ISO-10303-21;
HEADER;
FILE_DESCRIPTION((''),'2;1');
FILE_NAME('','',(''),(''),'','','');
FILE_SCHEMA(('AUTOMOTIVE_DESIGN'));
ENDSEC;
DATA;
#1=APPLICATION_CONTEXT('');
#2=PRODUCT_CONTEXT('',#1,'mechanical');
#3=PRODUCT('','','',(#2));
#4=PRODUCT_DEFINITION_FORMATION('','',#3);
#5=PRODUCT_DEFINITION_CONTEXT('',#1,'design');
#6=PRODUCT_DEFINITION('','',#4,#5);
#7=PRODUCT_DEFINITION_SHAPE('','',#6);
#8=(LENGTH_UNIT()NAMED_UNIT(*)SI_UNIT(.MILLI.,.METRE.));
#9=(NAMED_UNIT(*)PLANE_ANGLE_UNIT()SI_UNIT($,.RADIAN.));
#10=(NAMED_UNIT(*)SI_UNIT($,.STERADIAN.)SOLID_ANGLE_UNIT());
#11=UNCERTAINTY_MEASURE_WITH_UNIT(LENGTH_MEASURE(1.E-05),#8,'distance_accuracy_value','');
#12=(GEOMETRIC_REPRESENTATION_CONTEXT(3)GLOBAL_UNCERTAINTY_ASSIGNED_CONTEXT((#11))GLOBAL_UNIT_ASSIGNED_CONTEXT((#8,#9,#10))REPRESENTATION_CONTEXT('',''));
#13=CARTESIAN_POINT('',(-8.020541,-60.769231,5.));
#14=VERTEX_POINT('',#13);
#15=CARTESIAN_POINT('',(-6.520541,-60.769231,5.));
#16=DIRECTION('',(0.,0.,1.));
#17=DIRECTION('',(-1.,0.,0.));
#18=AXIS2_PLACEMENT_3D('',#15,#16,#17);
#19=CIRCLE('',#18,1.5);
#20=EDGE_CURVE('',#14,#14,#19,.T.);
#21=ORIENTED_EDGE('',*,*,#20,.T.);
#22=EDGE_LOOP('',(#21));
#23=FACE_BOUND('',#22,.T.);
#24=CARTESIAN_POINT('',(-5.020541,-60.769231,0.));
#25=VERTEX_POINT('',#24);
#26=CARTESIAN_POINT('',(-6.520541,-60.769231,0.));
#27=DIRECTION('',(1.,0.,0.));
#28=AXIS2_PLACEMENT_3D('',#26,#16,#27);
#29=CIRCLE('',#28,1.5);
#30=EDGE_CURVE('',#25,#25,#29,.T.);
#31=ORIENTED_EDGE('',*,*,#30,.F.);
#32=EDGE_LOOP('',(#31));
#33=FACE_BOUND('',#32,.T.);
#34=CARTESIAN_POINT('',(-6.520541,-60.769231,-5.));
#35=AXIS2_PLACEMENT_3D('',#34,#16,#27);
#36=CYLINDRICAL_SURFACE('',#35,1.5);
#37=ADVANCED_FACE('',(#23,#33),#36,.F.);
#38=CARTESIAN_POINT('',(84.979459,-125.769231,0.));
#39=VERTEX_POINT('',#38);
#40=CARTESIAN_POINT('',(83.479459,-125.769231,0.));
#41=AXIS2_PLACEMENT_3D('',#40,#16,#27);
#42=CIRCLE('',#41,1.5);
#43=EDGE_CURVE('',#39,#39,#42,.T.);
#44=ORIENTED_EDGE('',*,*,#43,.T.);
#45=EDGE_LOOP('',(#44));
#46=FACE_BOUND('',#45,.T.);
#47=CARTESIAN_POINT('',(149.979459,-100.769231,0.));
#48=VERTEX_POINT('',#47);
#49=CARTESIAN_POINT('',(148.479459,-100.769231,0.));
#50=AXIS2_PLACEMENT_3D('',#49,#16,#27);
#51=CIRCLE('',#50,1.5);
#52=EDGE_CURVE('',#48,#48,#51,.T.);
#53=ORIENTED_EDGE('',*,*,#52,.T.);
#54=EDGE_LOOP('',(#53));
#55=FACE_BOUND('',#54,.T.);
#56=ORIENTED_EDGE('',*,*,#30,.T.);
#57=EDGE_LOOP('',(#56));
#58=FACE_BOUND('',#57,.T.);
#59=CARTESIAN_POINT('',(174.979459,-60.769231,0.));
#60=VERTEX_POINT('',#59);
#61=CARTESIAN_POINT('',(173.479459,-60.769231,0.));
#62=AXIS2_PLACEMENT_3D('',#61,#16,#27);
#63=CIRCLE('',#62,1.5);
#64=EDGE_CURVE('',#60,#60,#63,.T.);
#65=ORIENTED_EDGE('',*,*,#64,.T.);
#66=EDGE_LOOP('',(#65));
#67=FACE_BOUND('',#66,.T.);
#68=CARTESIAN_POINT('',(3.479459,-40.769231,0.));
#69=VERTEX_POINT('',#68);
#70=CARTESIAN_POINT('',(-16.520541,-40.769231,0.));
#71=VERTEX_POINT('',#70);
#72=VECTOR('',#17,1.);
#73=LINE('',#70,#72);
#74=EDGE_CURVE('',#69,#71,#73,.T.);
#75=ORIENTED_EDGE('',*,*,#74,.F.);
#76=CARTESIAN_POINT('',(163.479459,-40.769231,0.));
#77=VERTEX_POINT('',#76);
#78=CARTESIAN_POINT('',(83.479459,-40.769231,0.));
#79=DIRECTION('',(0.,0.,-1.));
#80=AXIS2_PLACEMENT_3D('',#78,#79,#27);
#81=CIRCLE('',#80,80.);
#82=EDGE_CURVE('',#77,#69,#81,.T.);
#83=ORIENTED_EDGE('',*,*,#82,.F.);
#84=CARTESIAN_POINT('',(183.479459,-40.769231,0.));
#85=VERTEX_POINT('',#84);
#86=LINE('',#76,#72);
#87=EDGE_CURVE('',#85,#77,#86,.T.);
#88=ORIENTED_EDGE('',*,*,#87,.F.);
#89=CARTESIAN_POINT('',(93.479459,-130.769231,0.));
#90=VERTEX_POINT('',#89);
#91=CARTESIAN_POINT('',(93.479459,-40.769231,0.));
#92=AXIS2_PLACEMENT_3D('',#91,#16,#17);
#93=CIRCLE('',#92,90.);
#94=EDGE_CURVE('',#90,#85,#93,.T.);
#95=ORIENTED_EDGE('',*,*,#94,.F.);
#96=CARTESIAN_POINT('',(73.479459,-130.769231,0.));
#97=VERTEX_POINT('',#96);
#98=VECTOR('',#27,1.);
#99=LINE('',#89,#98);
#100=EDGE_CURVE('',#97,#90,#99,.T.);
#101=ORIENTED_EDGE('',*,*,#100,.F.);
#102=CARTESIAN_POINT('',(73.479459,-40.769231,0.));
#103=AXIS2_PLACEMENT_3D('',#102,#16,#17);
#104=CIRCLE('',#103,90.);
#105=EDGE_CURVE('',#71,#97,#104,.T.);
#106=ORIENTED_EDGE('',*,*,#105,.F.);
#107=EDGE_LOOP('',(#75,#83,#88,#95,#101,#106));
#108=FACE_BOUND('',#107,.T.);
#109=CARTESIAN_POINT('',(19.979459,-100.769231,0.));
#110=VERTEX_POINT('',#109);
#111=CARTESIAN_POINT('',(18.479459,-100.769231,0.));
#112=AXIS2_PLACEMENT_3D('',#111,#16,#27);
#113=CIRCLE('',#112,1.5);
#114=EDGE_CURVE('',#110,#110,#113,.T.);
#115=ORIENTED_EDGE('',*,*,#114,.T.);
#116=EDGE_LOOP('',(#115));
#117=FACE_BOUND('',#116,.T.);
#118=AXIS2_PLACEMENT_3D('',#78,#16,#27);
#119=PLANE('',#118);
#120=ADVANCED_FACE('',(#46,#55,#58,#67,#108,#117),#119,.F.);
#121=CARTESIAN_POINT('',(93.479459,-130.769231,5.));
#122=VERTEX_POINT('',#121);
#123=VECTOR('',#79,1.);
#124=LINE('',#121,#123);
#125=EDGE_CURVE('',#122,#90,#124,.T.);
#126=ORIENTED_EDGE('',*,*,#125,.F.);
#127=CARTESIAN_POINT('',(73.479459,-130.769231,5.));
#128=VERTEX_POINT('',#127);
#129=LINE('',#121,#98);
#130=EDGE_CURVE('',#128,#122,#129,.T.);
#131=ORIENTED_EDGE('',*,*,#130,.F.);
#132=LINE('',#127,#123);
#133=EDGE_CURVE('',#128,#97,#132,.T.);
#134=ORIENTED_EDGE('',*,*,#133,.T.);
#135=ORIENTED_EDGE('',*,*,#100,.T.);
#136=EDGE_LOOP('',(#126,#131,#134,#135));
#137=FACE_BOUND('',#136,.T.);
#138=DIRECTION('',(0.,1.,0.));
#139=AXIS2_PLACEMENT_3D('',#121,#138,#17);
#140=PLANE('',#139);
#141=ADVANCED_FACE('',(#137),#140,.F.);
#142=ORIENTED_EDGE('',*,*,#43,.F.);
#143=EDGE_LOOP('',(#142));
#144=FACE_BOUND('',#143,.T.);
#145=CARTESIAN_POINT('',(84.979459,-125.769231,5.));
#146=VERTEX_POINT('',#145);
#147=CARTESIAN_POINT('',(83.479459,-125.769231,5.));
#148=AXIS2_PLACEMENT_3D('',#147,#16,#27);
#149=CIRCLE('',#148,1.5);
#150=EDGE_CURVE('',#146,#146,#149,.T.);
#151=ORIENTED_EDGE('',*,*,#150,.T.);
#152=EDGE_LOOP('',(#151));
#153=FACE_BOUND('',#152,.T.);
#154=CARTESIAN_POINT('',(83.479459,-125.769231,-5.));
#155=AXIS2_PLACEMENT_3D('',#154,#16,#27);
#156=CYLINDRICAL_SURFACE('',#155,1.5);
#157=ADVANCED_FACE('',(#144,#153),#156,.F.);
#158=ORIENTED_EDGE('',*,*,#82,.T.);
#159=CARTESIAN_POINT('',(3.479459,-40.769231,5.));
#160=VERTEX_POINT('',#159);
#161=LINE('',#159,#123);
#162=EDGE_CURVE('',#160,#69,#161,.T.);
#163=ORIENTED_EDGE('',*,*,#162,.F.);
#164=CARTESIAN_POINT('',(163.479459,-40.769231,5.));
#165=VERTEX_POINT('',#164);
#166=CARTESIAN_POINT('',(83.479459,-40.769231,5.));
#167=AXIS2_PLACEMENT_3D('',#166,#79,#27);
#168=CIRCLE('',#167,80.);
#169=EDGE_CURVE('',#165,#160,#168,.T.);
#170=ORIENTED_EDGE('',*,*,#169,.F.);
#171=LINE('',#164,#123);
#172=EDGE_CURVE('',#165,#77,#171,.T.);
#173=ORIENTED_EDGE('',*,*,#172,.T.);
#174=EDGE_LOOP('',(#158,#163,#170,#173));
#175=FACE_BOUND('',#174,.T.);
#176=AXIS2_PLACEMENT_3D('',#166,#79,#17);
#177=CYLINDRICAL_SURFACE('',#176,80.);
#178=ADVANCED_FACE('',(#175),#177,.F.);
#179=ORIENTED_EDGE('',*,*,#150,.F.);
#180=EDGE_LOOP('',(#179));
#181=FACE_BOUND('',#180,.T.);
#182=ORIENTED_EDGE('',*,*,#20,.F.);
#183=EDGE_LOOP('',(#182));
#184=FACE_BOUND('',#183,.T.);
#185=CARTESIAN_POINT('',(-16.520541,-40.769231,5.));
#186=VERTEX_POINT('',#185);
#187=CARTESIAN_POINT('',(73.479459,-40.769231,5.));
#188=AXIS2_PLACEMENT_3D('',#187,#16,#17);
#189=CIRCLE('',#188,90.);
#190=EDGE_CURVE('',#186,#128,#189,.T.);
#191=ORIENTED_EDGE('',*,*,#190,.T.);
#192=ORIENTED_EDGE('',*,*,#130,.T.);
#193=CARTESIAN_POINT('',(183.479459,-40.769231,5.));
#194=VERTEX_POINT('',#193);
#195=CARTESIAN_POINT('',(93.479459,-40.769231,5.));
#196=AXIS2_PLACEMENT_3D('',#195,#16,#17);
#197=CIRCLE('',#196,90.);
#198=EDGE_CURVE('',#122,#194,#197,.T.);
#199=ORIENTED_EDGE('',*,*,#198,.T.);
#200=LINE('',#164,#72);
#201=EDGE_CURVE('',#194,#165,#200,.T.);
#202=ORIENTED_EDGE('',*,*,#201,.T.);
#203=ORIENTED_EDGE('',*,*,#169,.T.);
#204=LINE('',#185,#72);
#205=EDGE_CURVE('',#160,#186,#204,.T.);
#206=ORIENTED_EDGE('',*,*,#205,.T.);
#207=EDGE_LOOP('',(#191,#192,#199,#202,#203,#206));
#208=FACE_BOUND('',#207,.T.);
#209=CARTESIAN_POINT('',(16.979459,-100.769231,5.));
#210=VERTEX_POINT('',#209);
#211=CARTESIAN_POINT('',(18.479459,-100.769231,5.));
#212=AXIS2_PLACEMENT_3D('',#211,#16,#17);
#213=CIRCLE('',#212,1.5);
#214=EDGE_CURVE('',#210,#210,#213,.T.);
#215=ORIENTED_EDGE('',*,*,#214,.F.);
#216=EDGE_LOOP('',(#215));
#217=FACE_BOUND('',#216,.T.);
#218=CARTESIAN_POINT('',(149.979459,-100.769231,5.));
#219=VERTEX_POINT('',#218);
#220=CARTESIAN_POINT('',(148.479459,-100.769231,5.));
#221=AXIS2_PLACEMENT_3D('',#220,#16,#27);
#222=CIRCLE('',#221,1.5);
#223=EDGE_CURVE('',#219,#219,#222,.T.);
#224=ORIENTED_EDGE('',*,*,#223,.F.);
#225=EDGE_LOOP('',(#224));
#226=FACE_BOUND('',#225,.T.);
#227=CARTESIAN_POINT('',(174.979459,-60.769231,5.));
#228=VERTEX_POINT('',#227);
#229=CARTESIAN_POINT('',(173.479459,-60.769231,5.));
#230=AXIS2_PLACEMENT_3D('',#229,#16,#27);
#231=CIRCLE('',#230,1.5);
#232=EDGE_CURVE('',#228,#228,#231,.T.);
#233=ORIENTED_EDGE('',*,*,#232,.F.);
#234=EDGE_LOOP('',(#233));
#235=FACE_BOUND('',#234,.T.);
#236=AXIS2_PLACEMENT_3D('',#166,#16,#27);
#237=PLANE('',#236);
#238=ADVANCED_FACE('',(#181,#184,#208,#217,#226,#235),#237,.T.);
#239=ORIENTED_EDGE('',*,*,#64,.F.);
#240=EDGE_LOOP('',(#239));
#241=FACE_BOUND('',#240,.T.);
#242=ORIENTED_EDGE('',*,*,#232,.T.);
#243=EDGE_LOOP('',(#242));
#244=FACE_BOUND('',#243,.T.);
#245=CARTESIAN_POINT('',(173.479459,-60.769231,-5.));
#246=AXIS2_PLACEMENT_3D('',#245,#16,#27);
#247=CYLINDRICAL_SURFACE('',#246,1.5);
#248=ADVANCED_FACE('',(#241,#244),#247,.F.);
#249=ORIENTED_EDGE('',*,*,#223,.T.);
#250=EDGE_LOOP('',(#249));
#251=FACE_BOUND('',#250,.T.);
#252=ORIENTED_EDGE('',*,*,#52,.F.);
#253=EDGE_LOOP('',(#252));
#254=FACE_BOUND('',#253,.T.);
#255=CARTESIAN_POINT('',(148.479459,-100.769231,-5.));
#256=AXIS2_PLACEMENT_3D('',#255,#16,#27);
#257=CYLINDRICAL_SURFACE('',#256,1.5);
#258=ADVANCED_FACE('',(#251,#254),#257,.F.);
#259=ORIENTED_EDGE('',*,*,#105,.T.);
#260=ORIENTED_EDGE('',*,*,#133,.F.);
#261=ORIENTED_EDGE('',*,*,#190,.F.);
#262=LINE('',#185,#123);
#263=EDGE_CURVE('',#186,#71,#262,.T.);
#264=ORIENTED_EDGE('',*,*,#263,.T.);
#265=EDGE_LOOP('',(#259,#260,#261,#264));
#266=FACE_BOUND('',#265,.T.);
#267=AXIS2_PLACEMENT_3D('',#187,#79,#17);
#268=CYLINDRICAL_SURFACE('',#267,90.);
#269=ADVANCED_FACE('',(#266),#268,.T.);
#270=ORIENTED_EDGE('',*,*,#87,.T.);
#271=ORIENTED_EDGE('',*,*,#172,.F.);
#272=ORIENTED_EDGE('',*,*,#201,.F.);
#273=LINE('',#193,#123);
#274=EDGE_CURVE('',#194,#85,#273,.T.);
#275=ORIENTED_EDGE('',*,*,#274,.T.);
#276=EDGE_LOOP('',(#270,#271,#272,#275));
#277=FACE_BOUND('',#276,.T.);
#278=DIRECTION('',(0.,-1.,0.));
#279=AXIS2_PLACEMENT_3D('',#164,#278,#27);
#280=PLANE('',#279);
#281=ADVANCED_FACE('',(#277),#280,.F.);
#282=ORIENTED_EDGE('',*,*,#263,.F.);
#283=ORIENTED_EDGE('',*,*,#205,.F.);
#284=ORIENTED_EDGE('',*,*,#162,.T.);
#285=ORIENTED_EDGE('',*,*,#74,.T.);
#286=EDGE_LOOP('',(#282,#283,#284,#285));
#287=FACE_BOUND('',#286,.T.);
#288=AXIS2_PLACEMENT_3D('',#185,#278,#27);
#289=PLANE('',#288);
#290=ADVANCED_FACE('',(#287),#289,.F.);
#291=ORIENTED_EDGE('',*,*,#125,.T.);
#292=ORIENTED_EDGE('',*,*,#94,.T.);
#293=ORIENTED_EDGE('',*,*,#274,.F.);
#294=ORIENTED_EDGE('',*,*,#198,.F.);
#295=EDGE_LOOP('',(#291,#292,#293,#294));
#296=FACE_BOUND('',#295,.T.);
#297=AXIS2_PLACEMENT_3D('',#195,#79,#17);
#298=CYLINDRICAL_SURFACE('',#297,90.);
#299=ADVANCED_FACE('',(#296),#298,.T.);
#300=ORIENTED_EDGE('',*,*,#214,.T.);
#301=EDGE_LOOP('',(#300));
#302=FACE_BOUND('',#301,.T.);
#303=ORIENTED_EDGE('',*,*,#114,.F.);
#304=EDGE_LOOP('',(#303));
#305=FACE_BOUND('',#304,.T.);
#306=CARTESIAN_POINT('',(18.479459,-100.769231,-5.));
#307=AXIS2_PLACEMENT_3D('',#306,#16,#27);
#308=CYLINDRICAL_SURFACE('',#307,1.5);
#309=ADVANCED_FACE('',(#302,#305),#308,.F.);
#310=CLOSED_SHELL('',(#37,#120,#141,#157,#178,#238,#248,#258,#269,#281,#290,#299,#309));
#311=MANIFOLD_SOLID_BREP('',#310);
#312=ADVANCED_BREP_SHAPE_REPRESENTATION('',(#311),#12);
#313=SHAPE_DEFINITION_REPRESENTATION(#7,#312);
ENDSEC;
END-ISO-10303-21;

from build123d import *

# Parameters (mm, degrees)
RESSALTO_EXTRUS_O1_DEPTH = 5
ESBO_O2_R                = 1.5
CORTE_EXTRUS_O1_DEPTH    = 10


with BuildPart() as part:
    # Esboço1 → Ressalto-extrusão1 (new body)
    with BuildSketch(Plane.XY):
        with BuildLine():
            Line((-16.520541228, -40.769230769), (3.479458772, -40.769230769))
            ThreePointArc((3.479458772, -40.769230769), (83.479458772, -120.769230769), (163.479458772, -40.769230769))
            Line((163.479458772, -40.769230769), (183.479458772, -40.769230769))
            ThreePointArc((183.479458772, -40.769230769), (157.119069078, -104.408841076), (93.479458772, -130.769230769))
            Line((93.479458772, -130.769230769), (73.479458772, -130.769230769))
            ThreePointArc((73.479458772, -130.769230769), (9.839848465, -104.408841076), (-16.520541228, -40.769230769))
        make_face()
    extrude(amount=RESSALTO_EXTRUS_O1_DEPTH)

    # Esboço2 → Corte-extrusão1 (cut)
    with BuildSketch(Plane.XY.offset(5)):
        with Locations((83.479458772, -125.769230769)):
            Circle(ESBO_O2_R)
        with Locations((148.479458772, -100.769230769)):
            Circle(ESBO_O2_R)
        with Locations((173.479458772, -60.769230769)):
            Circle(ESBO_O2_R)
        with Locations((-6.520541228, -60.769230769)):
            Circle(ESBO_O2_R)
        with Locations((18.479458772, -100.769230769)):
            Circle(ESBO_O2_R)
    extrude(amount=-CORTE_EXTRUS_O1_DEPTH, mode=Mode.SUBTRACT)


solid = part.part
